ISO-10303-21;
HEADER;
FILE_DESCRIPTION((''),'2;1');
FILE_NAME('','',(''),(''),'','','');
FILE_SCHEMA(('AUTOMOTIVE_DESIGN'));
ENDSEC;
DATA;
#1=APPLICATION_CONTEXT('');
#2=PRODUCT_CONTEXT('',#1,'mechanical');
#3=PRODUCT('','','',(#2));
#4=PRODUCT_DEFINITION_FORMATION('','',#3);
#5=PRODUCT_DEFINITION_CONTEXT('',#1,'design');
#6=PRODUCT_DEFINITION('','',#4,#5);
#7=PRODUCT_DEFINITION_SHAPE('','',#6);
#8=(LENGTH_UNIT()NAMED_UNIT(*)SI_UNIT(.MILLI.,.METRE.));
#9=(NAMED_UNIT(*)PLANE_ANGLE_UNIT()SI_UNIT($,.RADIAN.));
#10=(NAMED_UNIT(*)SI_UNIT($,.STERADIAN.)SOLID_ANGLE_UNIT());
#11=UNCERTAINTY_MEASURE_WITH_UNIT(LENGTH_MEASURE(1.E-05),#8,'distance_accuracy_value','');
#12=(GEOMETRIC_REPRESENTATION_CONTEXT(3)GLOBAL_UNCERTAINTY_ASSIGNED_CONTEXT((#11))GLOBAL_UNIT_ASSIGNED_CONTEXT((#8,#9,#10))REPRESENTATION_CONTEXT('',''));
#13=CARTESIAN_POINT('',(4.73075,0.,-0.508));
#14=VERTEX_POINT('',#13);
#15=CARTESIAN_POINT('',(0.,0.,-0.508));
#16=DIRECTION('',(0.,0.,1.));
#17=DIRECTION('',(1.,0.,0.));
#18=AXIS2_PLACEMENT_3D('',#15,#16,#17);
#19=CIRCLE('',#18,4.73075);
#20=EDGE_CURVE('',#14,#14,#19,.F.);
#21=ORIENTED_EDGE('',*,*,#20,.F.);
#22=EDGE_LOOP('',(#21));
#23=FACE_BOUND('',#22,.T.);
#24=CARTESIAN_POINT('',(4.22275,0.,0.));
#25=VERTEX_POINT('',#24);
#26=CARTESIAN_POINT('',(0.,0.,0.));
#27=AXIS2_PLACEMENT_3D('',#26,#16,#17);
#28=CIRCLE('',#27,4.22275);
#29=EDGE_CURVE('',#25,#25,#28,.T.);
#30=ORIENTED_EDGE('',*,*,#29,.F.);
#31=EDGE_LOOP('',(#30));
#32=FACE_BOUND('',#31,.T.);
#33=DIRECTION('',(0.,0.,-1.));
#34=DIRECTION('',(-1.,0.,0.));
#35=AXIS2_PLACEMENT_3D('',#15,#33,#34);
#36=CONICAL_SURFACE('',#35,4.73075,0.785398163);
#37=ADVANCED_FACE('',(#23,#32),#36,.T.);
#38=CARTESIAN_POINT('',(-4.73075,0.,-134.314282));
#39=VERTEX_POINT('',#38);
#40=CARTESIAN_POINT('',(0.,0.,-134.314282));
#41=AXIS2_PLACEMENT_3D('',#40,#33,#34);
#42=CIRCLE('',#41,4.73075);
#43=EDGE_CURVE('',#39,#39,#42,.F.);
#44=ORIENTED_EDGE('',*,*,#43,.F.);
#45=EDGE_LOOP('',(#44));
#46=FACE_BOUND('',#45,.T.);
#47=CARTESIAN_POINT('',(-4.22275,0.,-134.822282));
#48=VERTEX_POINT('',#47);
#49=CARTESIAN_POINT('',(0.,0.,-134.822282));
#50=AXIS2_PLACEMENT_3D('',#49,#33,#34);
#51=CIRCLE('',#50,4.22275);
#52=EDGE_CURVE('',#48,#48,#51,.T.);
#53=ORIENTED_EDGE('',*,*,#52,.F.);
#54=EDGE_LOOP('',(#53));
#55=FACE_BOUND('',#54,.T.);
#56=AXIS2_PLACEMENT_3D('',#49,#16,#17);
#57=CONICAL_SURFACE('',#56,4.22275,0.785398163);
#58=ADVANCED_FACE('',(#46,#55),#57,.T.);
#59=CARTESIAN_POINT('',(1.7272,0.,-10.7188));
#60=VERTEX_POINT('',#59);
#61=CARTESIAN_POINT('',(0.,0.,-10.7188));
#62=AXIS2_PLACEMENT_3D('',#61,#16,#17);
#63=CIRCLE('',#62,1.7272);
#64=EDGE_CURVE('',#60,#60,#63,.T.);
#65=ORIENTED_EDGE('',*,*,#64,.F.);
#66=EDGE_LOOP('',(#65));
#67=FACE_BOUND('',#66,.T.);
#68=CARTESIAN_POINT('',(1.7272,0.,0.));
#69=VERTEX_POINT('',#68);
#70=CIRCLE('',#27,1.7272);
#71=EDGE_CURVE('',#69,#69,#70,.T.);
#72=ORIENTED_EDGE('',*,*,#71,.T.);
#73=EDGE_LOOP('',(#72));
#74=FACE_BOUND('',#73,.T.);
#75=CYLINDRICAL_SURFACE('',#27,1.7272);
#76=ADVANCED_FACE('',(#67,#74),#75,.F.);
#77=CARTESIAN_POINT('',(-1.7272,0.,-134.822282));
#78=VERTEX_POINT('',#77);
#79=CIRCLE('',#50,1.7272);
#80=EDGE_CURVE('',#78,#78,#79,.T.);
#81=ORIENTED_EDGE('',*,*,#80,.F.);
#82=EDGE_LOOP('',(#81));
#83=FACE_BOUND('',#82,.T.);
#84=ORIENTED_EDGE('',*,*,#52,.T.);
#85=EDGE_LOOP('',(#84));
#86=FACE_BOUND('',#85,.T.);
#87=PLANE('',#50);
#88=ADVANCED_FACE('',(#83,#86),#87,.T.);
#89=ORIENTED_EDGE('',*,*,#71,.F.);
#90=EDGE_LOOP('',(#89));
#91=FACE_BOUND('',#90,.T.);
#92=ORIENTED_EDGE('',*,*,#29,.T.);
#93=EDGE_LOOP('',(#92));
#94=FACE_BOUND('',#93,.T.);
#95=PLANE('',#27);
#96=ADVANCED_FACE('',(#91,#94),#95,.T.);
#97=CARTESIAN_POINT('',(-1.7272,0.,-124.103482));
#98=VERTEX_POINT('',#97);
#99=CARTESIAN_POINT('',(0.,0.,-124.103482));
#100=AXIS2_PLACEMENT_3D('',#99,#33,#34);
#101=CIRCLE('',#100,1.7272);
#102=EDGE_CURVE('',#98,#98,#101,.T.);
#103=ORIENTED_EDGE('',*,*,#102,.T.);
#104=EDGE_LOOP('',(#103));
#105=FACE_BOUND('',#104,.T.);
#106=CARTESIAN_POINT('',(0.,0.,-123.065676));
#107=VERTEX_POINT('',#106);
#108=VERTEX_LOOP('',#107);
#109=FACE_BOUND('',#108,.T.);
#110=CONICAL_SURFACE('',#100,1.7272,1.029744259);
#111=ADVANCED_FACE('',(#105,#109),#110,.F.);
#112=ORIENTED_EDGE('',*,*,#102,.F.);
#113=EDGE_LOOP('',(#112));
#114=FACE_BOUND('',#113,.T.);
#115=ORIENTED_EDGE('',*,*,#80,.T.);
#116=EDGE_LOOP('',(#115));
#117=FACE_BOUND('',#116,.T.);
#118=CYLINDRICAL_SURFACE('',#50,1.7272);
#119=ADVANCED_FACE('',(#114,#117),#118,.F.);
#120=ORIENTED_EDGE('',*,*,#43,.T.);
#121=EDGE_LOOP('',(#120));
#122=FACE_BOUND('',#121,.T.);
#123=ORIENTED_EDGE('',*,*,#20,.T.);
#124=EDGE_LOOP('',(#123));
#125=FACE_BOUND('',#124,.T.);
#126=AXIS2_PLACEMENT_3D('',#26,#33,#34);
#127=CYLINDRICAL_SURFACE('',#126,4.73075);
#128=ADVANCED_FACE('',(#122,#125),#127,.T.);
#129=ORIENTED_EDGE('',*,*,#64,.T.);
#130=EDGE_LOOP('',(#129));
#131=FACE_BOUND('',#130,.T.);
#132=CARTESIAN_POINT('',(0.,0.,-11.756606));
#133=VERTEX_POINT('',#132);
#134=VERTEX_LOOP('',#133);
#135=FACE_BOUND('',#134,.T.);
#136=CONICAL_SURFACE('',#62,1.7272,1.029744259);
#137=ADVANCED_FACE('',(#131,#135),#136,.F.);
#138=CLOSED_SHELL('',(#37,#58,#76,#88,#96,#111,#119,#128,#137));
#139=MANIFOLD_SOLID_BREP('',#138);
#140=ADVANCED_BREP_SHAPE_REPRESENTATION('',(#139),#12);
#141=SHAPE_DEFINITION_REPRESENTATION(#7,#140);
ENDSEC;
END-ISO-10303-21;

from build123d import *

# Parameters (mm, degrees)
SKETCH1_W                 = 134.82228219
SKETCH1_H                 = 4.73075
CHAMFER1_SIZE             = 0.508
F_8_32_TAPPED_HOLE1_D     = 3.4544
F_8_32_TAPPED_HOLE1_DEPTH = 10.7188
F_8_32_TAPPED_HOLE1_TIP   = 1.037806461
F_8_32_TAPPED_HOLE3_D     = 3.4544
F_8_32_TAPPED_HOLE3_DEPTH = 10.7188
F_8_32_TAPPED_HOLE3_TIP   = 1.037806461


with BuildPart() as part:
    # Sketch1 → Revolve1 (revolve)
    with BuildSketch(Plane(origin=(0, 0, 0), x_dir=(0, 0, -1), z_dir=(1, 0, 0)), mode=Mode.PRIVATE) as revolve1_sk:
        with Locations((67.411141095, 2.365375)):
            Rectangle(SKETCH1_W, SKETCH1_H)
    revolve(revolve1_sk.sketch.rotate(Axis((0, 0, 0), (0, 0, 1)), 90), axis=Axis((0, 0, 0), (0, 0, 1)))

    # Chamfer1
    chamfer1_edges = [part.edges().sort_by_distance(p)[0] for p in [
        (4.73075, 0, -134.82228219),
        (4.73075, 0, 0),
    ]]
    chamfer(chamfer1_edges, length=CHAMFER1_SIZE)

    # #8-32 Tapped Hole1
    with Locations(Plane.XY):
        with Locations((0, 0)):
            Hole(F_8_32_TAPPED_HOLE1_D / 2, depth=F_8_32_TAPPED_HOLE1_DEPTH)
            with Locations((0, 0, -(F_8_32_TAPPED_HOLE1_DEPTH + F_8_32_TAPPED_HOLE1_TIP / 2))):  # 118° drill point
                Cone(0, F_8_32_TAPPED_HOLE1_D / 2, F_8_32_TAPPED_HOLE1_TIP, mode=Mode.SUBTRACT)

    # #8-32 Tapped Hole3
    with Locations(Plane(origin=(0, 0, -134.82228219), x_dir=(-1, 0, 0), z_dir=(0, 0, -1))):
        with Locations((0, 0)):
            Hole(F_8_32_TAPPED_HOLE3_D / 2, depth=F_8_32_TAPPED_HOLE3_DEPTH)
            with Locations((0, 0, -(F_8_32_TAPPED_HOLE3_DEPTH + F_8_32_TAPPED_HOLE3_TIP / 2))):  # 118° drill point
                Cone(0, F_8_32_TAPPED_HOLE3_D / 2, F_8_32_TAPPED_HOLE3_TIP, mode=Mode.SUBTRACT)


solid = part.part
